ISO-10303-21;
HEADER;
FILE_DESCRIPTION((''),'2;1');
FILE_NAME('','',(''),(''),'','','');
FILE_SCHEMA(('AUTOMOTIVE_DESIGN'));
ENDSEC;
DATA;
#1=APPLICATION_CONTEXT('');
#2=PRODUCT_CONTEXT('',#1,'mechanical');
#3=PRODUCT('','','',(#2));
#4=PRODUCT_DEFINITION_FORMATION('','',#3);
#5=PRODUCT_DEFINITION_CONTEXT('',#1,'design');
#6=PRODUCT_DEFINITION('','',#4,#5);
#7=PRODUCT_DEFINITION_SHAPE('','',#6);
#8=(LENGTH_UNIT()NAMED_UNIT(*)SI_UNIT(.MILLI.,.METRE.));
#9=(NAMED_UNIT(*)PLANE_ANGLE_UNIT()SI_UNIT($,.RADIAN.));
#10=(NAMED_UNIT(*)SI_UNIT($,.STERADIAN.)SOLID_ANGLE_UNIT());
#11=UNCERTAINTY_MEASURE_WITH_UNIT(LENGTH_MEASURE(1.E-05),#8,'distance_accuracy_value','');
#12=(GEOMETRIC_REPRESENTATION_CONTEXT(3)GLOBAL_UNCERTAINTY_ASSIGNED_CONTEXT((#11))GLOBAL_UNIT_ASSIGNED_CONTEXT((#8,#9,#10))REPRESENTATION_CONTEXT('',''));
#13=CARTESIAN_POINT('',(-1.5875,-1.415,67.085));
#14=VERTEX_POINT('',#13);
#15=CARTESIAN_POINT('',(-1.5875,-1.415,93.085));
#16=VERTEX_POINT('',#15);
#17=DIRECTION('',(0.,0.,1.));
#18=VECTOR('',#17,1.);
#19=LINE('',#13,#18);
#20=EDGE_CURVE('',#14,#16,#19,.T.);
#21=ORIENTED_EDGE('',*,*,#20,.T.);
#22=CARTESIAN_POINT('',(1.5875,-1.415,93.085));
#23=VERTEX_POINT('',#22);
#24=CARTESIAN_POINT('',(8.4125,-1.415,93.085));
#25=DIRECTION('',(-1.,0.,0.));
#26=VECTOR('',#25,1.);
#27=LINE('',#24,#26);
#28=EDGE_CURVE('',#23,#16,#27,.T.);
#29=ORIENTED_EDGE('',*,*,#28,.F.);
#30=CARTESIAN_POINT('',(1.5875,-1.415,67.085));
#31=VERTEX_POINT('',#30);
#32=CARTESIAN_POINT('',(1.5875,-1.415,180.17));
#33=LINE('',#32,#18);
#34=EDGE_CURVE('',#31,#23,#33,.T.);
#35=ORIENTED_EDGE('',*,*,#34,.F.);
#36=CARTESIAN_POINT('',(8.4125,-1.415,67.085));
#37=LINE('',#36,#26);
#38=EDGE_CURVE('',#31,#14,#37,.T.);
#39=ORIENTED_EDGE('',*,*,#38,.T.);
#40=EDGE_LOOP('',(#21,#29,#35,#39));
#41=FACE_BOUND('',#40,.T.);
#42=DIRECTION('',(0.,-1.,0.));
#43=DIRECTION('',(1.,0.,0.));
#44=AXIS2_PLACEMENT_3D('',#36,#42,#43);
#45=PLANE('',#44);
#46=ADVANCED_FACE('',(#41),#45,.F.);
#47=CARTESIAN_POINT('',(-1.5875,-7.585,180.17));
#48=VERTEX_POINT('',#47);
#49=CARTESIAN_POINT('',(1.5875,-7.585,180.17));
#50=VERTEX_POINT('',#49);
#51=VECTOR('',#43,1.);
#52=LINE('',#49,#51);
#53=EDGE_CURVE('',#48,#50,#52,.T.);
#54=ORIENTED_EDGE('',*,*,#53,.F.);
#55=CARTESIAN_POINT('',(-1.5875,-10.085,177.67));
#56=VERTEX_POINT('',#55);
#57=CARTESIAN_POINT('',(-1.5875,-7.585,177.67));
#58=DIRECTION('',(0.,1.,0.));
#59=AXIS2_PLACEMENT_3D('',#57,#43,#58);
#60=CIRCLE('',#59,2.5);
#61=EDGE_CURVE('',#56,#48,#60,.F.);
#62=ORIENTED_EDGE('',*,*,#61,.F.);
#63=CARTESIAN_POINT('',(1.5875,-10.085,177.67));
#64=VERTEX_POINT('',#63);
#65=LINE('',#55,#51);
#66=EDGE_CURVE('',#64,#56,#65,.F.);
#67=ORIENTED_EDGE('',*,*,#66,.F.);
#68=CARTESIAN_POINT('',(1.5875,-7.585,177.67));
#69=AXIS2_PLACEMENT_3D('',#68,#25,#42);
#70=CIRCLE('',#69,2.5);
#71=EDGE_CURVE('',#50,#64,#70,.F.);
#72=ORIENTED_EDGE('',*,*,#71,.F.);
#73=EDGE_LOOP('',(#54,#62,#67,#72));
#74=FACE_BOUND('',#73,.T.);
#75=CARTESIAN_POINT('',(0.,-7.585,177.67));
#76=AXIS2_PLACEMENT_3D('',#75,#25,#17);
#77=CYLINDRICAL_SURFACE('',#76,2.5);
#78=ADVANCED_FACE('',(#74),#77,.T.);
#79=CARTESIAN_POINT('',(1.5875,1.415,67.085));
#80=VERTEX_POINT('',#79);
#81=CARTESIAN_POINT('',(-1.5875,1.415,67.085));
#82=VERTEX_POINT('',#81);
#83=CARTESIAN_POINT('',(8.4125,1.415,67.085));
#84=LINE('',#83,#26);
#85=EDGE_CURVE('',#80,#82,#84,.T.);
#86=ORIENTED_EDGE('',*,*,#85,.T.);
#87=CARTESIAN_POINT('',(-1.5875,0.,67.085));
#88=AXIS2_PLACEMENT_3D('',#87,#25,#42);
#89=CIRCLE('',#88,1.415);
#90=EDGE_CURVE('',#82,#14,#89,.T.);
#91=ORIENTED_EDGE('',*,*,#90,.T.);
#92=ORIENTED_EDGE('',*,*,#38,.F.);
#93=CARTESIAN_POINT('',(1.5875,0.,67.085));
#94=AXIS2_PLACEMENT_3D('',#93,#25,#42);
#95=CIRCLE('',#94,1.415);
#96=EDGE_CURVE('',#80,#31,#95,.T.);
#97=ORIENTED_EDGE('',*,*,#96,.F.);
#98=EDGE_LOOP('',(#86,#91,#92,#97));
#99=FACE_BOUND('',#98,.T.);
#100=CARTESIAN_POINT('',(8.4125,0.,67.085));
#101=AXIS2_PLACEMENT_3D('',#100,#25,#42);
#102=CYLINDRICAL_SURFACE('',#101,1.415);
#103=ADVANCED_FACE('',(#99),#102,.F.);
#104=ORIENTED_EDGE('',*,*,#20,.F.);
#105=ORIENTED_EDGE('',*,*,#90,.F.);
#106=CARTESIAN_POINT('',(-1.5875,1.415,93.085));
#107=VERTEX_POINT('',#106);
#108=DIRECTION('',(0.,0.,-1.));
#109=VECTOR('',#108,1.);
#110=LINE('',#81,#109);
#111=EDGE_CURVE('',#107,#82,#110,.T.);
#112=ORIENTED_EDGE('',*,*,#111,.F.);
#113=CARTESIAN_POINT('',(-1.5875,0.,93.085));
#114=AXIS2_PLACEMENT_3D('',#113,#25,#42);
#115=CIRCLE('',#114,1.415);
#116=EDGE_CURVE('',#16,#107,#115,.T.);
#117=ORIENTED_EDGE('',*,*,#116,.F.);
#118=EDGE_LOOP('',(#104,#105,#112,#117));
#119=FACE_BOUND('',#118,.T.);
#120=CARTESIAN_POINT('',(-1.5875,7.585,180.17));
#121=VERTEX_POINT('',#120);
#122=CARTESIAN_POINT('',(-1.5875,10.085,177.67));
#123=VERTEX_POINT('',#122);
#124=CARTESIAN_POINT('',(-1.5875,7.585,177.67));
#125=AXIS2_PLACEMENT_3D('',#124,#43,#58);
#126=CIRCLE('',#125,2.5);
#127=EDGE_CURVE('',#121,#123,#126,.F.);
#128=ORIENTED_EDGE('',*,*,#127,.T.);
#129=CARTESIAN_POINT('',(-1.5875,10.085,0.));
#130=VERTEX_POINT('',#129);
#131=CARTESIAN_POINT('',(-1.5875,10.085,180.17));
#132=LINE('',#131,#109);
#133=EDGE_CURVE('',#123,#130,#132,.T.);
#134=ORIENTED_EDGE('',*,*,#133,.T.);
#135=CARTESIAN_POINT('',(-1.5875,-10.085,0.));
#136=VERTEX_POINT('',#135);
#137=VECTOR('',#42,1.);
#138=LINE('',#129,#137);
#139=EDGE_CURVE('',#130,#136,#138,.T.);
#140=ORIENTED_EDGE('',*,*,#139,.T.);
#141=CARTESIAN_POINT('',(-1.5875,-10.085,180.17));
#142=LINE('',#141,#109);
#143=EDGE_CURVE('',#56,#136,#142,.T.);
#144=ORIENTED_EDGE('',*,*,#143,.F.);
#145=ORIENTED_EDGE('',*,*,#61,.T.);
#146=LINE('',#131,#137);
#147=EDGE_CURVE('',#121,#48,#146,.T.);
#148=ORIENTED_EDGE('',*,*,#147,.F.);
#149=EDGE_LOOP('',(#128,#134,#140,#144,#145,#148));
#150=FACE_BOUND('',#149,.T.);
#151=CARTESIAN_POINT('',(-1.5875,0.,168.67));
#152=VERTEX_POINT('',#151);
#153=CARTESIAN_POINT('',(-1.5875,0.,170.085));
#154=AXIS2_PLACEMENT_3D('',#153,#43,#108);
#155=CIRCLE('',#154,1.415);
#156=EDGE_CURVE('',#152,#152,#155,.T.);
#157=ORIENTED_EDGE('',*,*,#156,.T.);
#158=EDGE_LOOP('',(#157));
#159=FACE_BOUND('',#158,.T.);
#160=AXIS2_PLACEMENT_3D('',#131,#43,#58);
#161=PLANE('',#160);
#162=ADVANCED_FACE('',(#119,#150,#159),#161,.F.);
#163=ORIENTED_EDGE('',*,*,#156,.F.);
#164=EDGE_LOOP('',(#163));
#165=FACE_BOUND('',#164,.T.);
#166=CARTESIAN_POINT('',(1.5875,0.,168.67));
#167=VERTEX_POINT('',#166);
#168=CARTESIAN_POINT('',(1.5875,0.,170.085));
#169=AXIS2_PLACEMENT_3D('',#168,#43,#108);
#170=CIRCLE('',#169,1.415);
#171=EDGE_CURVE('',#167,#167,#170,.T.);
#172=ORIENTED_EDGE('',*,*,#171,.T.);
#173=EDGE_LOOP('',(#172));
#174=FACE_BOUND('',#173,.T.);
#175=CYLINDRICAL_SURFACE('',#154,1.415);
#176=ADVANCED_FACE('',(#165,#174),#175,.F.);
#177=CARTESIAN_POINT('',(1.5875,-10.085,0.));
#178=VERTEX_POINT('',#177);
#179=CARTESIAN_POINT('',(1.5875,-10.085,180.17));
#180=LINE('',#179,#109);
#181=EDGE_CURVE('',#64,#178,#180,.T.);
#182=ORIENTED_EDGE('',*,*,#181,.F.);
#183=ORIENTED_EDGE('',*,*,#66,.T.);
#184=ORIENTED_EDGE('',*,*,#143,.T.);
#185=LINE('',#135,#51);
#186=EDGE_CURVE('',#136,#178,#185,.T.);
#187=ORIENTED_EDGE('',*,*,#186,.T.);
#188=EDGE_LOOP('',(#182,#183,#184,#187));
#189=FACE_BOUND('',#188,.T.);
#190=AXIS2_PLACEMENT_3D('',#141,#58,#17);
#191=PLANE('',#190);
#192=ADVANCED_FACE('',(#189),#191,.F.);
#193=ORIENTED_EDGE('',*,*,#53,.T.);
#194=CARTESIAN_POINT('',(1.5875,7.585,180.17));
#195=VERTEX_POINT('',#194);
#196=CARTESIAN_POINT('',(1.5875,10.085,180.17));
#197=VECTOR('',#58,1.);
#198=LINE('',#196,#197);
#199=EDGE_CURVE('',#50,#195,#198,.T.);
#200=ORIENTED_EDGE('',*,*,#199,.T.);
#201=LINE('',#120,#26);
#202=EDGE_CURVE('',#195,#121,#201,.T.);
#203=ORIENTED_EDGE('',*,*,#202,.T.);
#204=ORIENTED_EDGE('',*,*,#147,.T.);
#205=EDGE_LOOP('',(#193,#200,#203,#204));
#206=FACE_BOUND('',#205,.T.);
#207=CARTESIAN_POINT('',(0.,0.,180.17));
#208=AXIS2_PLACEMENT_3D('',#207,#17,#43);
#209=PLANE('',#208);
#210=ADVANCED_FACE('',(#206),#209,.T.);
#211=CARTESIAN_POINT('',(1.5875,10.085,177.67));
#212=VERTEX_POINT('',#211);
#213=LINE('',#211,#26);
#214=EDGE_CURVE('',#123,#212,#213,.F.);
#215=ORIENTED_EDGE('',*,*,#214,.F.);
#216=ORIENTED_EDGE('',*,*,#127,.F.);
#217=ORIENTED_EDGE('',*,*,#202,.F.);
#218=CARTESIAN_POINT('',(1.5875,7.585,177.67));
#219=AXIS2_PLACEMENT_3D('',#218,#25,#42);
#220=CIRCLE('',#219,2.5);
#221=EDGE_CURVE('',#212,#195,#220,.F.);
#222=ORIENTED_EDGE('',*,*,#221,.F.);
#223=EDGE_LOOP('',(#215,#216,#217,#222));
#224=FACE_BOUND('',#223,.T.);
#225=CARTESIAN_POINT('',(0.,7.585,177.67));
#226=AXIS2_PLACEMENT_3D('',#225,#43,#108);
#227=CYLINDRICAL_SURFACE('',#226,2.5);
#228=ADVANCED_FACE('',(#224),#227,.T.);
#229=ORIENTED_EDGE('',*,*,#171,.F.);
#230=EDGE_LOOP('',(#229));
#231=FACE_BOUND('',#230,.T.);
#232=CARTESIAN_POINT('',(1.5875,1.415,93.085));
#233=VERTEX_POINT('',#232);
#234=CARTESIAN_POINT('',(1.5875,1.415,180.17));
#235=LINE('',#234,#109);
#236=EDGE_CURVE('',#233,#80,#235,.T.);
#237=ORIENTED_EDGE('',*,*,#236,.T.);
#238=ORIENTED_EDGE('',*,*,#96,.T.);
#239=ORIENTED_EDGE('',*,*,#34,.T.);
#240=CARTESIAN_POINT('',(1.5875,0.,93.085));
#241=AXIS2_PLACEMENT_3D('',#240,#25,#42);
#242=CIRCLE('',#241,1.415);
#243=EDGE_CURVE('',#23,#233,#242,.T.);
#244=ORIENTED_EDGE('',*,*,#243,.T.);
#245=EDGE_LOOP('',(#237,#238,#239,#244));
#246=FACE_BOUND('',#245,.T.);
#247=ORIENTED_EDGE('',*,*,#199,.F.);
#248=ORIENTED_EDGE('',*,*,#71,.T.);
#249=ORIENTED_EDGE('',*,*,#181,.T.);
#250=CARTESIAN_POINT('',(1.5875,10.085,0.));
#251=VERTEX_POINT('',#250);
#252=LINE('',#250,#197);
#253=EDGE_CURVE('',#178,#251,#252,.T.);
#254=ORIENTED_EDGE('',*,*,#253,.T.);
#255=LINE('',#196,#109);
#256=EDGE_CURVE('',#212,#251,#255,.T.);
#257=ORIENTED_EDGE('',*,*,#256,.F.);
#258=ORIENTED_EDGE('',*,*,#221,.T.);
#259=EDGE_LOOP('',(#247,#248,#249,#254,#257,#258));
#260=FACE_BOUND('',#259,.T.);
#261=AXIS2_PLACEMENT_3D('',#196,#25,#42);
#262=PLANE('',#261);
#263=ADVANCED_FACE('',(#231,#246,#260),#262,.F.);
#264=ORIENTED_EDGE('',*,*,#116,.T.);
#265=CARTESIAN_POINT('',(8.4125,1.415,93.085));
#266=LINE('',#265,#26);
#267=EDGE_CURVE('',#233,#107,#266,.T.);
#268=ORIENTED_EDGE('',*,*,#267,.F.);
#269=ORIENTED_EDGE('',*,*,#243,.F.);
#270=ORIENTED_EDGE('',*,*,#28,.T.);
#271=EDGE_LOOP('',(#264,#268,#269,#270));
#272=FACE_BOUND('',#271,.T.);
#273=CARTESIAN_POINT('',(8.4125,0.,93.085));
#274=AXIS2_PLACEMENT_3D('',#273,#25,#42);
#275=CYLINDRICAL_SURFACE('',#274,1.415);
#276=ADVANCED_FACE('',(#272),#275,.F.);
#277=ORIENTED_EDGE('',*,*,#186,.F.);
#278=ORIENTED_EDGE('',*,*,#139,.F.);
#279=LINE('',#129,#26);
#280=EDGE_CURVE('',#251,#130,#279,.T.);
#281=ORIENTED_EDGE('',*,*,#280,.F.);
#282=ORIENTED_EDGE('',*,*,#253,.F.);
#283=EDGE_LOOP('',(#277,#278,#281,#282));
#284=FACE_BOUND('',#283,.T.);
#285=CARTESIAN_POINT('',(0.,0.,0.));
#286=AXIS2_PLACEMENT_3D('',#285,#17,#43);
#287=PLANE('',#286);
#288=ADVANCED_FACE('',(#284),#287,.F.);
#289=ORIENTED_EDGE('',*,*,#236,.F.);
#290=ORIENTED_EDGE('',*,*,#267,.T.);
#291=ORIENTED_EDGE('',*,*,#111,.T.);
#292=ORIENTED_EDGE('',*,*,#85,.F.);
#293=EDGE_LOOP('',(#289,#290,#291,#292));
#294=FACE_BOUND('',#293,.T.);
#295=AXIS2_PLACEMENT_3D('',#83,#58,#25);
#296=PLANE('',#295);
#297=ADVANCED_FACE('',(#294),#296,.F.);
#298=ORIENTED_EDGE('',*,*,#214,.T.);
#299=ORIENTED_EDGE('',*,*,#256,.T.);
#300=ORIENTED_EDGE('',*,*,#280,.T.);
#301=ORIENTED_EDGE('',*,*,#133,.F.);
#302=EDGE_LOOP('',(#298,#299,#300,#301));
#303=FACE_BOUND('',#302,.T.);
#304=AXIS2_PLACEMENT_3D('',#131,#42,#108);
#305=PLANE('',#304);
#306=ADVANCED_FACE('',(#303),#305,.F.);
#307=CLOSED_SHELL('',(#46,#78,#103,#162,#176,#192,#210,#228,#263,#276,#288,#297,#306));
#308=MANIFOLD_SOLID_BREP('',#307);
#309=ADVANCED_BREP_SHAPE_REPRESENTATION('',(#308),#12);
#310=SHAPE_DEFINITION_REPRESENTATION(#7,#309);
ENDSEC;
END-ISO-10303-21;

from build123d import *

# Parameters (mm, degrees)
SKETCH1_W           = 3.175
SKETCH1_H           = 20.17
BOSS_EXTRUDE1_DEPTH = 180.17
SKETCH6_R           = 1.415
CUT_EXTRUDE1_DEPTH  = 4.175
FILLET1_R           = 2.5
CUT_EXTRUDE3_DEPTH  = 10


with BuildPart() as part:
    # Sketch1 → Boss-Extrude1 (new body)
    with BuildSketch(Plane.XY):
        Rectangle(SKETCH1_W, SKETCH1_H)
    extrude(amount=BOSS_EXTRUDE1_DEPTH)

    # Sketch6 → Cut-Extrude1 (cut, through all)
    with BuildSketch(Plane(origin=(1.5875, 0, 0), x_dir=(0, 0, -1), z_dir=(1, 0, 0))):
        with Locations((-170.085, 0)):
            Circle(SKETCH6_R)
    extrude(amount=-CUT_EXTRUDE1_DEPTH, mode=Mode.SUBTRACT)

    # Fillet1
    fillet1_edges = [part.edges().sort_by_distance(p)[0] for p in [
        (0, -10.085, 180.17),
        (0, 10.085, 180.17),
    ]]
    fillet(fillet1_edges, radius=FILLET1_R)

    # Sketch7 → Cut-Extrude3 (cut)
    with BuildSketch(Plane.ZY.offset(1.5875)):
        with BuildLine():
            Line((67.085, 1.415), (93.085, 1.415))
            ThreePointArc((93.085, 1.415), (94.5, 0), (93.085, -1.415))
            Line((93.085, -1.415), (67.085, -1.415))
            ThreePointArc((67.085, -1.415), (65.67, 0), (67.085, 1.415))
        make_face()
    extrude(amount=-CUT_EXTRUDE3_DEPTH, mode=Mode.SUBTRACT)


solid = part.part
